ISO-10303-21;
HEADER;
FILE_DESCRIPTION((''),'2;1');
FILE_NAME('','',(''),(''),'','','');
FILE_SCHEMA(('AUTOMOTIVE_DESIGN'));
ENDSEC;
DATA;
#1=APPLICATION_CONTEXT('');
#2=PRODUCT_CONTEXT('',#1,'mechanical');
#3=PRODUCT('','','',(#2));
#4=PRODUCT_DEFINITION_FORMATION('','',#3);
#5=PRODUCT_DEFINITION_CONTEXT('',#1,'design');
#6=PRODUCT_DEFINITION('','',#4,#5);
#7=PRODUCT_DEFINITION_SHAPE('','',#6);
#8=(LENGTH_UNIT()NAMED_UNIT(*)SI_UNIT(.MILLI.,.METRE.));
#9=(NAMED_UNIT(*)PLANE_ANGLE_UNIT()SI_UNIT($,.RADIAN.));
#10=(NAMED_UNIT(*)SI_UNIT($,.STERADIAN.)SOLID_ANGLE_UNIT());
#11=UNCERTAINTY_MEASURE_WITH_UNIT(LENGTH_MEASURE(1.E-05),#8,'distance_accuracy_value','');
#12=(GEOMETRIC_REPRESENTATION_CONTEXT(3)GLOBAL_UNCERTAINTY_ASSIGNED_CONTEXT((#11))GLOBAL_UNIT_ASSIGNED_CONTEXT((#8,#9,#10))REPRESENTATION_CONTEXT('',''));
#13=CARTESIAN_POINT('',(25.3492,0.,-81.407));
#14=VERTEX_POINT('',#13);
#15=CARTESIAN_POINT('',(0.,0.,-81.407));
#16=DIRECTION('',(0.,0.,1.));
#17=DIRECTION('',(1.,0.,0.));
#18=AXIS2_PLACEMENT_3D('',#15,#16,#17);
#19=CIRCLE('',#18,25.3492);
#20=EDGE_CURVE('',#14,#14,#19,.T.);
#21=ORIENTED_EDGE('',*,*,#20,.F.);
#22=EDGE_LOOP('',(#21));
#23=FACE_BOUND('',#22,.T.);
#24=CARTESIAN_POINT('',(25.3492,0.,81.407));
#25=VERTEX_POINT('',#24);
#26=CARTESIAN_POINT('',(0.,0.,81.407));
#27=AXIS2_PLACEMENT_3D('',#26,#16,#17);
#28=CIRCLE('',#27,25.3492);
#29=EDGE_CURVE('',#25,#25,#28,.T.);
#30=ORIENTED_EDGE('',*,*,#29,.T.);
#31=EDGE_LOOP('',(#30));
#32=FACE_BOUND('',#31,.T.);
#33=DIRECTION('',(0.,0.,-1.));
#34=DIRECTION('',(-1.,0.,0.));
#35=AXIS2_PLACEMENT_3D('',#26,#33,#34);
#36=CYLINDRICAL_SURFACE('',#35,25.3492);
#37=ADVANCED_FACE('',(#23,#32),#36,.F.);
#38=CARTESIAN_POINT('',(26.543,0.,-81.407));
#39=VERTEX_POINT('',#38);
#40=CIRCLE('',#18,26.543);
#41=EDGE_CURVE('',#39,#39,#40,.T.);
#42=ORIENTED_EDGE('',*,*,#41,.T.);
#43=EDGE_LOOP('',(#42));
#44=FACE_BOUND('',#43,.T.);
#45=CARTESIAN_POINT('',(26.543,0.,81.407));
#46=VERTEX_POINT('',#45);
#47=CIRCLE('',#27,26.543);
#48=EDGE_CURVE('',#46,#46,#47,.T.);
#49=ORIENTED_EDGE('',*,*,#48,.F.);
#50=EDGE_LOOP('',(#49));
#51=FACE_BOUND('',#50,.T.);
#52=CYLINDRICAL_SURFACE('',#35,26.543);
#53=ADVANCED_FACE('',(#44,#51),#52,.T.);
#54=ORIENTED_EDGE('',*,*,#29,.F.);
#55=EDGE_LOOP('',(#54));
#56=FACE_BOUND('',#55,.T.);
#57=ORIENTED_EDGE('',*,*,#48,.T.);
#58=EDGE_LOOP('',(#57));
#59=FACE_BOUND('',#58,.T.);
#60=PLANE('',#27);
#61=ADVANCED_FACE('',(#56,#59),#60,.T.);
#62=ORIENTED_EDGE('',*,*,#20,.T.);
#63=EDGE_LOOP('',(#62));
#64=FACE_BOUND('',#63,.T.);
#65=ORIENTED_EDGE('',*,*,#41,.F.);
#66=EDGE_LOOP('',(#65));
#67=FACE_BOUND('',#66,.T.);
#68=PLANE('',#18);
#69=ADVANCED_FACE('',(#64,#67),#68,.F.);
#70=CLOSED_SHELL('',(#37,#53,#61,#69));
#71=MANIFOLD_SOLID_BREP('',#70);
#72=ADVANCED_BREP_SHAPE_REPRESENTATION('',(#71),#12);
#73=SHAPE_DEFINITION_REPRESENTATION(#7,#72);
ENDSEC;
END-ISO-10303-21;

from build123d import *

# Parameters (mm, degrees)
SKETCH1_R           = 26.543
SKETCH1_R_2         = 25.3492
BOSS_EXTRUDE1_DEPTH = 81.407


with BuildPart() as part:
    # Sketch1 → Boss-Extrude1 (new, symmetric)
    with BuildSketch(Plane.XY):
        Circle(SKETCH1_R)
        Circle(SKETCH1_R_2, mode=Mode.SUBTRACT)
    extrude(amount=BOSS_EXTRUDE1_DEPTH, both=True)


solid = part.part
